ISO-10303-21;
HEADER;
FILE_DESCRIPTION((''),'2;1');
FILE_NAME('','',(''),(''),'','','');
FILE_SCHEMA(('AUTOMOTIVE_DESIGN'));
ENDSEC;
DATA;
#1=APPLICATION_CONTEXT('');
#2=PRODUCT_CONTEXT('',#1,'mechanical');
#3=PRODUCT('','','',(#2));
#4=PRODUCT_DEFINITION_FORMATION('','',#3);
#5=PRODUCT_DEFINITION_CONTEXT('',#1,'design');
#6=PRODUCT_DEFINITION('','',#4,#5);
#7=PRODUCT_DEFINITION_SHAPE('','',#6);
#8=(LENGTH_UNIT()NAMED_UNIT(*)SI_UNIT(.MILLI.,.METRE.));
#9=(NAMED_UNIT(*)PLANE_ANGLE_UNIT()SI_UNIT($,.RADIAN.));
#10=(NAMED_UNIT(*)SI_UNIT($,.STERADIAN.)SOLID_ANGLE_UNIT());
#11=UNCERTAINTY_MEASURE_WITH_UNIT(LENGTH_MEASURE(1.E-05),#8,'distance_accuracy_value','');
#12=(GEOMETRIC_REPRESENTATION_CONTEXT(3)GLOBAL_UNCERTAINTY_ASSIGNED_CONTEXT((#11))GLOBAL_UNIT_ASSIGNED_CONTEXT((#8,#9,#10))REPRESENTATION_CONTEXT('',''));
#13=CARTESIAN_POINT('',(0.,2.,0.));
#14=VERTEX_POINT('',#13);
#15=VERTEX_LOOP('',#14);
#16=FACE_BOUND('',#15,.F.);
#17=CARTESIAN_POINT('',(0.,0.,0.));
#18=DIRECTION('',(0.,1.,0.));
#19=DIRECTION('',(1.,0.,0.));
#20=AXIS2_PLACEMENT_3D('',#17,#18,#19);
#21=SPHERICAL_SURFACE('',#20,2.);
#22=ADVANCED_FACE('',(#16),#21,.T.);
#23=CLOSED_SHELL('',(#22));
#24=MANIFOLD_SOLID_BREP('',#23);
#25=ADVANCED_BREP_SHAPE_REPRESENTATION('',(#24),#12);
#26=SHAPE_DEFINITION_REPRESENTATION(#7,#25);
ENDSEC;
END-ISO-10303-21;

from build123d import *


with BuildPart() as part:
    # Esquisse1 → Révolution1 (revolve)
    with BuildSketch(Plane.XY):
        with BuildLine():
            Line((0, 2), (0, -2))
            ThreePointArc((0, -2), (2, 0), (0, 2))
        make_face()
    revolve(axis=Axis((0, 17.003113553, 0), (0, -1, 0)))


solid = part.part
